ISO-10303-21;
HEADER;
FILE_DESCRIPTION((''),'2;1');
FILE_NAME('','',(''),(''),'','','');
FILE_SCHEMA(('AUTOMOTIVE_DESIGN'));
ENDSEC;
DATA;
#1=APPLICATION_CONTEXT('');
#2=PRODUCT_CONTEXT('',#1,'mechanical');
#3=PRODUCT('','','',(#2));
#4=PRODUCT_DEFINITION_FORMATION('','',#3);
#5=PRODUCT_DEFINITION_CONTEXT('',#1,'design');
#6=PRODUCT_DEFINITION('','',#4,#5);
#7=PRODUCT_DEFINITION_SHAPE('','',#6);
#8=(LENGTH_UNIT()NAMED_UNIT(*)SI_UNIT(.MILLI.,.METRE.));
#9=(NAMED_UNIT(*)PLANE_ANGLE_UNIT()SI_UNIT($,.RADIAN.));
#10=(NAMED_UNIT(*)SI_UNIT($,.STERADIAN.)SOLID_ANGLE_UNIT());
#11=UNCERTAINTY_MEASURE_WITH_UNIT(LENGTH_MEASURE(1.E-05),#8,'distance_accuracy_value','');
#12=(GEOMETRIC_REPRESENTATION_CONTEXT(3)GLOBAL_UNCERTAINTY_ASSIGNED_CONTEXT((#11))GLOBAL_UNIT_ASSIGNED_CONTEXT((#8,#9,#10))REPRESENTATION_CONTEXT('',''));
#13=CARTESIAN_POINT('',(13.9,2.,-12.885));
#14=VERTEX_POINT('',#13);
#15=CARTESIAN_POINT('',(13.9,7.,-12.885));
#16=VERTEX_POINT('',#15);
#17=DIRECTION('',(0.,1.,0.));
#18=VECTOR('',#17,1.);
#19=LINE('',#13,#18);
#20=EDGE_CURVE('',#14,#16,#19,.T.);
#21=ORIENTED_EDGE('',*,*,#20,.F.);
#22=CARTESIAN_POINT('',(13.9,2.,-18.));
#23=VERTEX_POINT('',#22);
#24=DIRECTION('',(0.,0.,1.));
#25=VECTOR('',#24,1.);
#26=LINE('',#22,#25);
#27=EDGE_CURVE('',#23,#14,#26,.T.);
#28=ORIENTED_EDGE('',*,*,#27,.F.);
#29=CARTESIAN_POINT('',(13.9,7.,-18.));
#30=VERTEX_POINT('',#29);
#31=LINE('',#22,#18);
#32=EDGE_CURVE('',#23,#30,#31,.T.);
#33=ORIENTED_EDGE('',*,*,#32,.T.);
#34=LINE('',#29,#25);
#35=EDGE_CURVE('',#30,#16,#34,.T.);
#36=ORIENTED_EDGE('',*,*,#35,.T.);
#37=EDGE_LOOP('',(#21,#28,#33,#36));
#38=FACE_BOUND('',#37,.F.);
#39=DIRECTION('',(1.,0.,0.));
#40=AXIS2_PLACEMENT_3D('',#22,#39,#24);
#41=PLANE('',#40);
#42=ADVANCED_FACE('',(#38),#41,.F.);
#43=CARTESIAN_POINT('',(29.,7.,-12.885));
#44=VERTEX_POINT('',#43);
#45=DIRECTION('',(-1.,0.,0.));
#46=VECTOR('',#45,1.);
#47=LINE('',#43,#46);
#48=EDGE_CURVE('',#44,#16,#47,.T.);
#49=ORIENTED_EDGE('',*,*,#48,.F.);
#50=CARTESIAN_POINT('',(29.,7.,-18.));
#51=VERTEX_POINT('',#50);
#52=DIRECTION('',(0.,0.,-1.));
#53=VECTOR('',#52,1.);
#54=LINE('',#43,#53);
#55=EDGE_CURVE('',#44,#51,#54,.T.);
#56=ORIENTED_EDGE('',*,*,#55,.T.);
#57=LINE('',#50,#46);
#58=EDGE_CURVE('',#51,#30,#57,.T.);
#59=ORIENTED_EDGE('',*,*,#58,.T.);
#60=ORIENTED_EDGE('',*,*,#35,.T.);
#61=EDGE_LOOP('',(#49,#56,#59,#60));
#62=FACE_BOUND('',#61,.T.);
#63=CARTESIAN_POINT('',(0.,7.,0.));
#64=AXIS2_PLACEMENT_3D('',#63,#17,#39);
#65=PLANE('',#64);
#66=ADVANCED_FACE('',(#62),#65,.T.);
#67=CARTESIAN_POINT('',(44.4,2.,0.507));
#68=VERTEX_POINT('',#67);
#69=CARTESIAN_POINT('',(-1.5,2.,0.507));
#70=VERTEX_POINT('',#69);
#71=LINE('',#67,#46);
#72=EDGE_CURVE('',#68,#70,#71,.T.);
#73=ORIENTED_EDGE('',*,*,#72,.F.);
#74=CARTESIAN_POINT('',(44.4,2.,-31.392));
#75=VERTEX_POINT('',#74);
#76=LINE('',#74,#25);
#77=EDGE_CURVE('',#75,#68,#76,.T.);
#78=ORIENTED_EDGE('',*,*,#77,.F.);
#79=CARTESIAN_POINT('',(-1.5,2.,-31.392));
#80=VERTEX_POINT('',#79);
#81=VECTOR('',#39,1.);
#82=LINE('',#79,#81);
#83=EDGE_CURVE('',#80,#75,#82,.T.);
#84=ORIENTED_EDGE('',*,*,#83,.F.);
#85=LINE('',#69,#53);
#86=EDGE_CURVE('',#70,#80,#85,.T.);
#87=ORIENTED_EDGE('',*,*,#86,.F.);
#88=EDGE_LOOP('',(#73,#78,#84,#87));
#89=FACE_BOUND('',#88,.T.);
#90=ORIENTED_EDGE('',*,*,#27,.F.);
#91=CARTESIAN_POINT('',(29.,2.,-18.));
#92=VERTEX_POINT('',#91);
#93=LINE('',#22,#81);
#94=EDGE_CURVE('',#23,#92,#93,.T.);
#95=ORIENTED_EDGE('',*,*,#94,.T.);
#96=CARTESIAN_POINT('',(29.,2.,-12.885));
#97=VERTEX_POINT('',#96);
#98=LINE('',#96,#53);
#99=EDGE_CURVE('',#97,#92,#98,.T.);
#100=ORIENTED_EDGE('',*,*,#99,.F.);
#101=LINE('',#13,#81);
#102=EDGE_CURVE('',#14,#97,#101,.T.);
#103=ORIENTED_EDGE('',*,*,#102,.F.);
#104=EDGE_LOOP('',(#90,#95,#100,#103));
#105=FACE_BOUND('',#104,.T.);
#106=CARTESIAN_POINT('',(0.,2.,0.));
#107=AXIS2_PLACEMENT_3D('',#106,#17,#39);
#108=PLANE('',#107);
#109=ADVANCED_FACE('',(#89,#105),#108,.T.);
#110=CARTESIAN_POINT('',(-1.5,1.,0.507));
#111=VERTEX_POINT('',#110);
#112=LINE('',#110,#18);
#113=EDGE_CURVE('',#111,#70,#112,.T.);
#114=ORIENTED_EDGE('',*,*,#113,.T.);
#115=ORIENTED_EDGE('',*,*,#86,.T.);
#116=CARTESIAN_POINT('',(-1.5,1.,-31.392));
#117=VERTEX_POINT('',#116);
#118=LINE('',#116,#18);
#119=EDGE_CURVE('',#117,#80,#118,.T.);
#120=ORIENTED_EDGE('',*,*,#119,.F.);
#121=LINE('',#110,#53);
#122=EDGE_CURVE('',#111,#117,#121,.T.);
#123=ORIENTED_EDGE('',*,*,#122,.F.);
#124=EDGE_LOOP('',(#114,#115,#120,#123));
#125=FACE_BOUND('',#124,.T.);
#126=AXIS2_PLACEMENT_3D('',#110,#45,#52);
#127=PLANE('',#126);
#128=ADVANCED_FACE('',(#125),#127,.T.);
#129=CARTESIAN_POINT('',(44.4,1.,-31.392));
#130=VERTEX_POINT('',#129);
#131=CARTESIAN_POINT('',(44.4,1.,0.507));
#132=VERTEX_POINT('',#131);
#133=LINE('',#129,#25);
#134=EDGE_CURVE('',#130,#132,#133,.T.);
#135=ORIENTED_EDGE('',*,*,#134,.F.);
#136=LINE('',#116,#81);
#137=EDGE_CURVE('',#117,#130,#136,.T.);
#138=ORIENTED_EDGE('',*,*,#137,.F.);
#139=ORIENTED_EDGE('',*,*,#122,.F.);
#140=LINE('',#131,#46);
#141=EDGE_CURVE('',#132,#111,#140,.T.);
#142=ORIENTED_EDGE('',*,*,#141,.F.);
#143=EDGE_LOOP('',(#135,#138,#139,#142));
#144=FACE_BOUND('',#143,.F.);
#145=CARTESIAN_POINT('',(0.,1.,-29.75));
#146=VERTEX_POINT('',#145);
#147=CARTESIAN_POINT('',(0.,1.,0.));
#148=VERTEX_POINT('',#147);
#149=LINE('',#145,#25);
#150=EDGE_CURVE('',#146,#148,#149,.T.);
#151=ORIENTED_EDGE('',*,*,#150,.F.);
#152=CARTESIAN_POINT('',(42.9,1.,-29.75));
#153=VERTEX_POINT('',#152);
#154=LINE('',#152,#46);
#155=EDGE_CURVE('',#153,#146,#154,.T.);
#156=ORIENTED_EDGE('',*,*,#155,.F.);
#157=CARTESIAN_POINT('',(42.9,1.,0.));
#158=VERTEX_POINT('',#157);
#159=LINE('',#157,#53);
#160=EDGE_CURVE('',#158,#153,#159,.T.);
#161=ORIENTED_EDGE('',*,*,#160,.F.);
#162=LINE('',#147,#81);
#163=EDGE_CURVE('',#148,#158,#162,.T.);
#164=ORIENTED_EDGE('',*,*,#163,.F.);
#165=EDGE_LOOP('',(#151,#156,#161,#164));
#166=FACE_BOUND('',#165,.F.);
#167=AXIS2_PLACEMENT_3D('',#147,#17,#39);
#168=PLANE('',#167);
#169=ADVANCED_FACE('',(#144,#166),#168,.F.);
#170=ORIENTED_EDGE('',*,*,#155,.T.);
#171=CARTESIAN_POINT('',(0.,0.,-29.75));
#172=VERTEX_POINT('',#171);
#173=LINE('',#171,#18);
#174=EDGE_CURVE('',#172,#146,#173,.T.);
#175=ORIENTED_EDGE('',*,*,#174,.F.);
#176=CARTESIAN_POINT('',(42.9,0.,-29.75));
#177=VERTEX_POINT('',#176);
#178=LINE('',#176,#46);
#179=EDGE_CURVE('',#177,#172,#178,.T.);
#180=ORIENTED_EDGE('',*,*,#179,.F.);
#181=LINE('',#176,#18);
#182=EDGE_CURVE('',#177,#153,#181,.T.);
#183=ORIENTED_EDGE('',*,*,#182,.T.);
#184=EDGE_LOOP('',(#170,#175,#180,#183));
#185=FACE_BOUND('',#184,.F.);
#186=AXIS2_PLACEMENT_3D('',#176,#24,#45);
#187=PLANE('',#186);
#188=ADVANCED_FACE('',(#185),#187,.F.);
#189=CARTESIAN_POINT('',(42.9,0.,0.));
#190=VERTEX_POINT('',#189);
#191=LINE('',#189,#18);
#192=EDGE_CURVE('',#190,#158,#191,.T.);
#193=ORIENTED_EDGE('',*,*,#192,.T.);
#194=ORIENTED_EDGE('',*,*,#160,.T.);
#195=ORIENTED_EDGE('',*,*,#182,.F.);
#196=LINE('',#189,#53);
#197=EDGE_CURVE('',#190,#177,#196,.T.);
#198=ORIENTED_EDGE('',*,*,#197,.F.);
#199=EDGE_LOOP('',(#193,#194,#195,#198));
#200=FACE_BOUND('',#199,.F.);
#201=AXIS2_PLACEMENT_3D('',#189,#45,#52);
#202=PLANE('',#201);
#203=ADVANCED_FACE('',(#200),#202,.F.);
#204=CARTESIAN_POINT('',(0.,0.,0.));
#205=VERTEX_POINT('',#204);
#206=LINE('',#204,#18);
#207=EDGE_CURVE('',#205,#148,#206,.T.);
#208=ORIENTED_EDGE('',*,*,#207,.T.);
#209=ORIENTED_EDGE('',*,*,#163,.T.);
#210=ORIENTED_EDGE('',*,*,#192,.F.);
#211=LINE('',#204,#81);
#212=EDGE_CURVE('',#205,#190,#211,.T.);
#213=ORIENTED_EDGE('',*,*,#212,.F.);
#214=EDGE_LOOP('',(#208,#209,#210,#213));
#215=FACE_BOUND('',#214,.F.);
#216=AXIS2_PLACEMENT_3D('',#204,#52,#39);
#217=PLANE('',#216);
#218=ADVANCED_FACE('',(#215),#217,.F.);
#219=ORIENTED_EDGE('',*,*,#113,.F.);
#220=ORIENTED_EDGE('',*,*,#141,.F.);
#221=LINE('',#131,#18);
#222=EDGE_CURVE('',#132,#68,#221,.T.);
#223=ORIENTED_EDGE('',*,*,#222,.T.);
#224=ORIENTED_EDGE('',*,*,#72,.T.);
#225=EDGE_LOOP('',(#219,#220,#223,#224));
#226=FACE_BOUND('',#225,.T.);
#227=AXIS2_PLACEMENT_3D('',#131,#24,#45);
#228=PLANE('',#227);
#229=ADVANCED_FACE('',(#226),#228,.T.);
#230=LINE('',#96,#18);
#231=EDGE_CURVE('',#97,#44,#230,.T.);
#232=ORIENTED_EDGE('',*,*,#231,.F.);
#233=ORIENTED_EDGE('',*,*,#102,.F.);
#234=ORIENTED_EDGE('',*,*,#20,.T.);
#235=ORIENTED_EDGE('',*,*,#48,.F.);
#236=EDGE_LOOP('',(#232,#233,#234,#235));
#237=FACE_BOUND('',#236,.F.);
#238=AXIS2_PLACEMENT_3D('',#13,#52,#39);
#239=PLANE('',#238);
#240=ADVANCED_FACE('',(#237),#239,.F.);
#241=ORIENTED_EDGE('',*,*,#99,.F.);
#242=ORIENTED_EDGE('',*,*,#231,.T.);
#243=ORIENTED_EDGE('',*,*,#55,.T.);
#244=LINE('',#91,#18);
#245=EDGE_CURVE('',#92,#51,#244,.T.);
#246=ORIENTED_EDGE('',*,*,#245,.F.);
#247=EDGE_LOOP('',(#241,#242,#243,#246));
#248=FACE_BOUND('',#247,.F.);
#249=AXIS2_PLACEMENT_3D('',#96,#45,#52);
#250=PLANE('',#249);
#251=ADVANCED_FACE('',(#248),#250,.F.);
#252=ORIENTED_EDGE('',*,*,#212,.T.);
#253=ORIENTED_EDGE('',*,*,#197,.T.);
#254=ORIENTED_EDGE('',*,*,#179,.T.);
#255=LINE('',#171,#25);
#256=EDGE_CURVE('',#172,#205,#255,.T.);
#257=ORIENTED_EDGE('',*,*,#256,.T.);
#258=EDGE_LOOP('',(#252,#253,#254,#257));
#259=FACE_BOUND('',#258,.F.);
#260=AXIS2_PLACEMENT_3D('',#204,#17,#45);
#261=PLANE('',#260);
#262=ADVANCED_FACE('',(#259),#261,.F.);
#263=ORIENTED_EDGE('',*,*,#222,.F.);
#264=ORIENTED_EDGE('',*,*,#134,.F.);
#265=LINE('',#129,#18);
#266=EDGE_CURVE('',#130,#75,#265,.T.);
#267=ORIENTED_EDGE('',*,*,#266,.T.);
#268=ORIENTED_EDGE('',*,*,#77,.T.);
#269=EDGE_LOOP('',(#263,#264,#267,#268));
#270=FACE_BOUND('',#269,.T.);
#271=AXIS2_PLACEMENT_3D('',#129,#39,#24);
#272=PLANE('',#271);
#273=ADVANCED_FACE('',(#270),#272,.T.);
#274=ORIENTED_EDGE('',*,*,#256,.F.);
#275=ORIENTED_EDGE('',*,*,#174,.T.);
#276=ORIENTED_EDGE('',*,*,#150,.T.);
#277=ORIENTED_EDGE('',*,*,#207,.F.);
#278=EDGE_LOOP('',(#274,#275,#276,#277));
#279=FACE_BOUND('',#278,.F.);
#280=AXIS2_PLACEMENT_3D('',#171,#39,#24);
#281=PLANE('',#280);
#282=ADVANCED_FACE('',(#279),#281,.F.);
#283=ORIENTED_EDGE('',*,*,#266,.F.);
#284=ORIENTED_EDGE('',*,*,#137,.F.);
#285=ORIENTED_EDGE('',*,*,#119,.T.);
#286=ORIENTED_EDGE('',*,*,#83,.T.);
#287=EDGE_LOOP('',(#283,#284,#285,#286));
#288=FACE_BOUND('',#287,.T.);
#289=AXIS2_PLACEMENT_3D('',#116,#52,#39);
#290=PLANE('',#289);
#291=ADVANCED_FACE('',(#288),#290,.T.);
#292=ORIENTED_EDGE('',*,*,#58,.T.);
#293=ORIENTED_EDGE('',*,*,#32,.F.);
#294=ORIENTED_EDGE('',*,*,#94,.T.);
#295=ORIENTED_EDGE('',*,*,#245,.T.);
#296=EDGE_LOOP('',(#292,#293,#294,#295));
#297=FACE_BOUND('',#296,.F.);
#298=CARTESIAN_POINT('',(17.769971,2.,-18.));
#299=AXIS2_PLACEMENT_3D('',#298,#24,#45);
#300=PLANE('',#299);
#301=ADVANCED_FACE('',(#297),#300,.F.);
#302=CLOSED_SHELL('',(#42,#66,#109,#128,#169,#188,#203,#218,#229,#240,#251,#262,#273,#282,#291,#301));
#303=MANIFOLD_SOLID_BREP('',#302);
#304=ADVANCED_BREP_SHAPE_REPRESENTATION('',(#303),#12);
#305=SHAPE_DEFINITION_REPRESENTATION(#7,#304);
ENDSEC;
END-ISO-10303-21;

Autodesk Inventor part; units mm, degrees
ref_plane "YZ Plane" through (0, 0, 0) normal (1, 0, 0) x (0, 1, 0)
ref_plane "XZ Plane" through (0, 0, 0) normal (0, 1, 0) x (-1, 0, 0)
ref_plane "XY Plane" through (0, 0, 0) normal (0, 0, 1) x (1, 0, 0)
sketch "Sketch1" plane through (0, 0, 0) normal (0, 1, 0) x (-1, 0, 0)
  line L0 (0, 0) -> (-42.9, 0)
  line L1 (-42.9, 0) -> (-42.9, -29.75)
  line L2 (-42.9, -29.75) -> (0, -29.75)
  line L3 (0, -29.75) -> (0, 0)
  dimension "d0" = 42.9
  dimension "d1" = 29.75
extrude "Extrusion1" add sketch "Sketch1" along normal blind 1
sketch "Sketch2" plane through (0, 1, 0) normal (0, 1, 0) x (1, 0, 0)
  line L0 (42.9, 0) -> (42.9, 29.75) projected
  line L1 (42.9, 29.75) -> (0, 29.75) projected
  line L2 (-1.5, 31.392) -> (44.4, 31.392)
  line L3 (44.4, 31.392) -> (44.4, -0.507)
  line L4 (44.4, -0.507) -> (-1.5, -0.507)
  line L5 (-1.5, -0.507) -> (-1.5, 31.392)
  point P0 (0, 0)
extrude "Extrusion2" add sketch "Sketch2" along normal blind 1
sketch "Sketch3" plane through (0, 2, 0) normal (0, 1, 0) x (1, 0, 0)
  line L0 (-1.5, -0.507) -> (44.4, -0.507) projected
  line L1 (44.4, 31.392) -> (-1.5, 31.392) projected
  line L2 (-1.5, -0.507) -> (44.4, 31.392)
  line L3 (44.4, -0.507) -> (44.4, 31.392) projected
  line L4 (44.4, -0.507) -> (-1.5, 31.392)
  line L5 (13.9, 12.885) -> (29, 12.885)
  line L6 (29, 12.885) -> (29, 18)
  line L7 (29, 18) -> (13.9, 18)
  line L8 (13.9, 18) -> (13.9, 12.885)
  line L9 (13.9, 12.885) -> (29, 18) construction
  line L10 (29, 12.885) -> (13.9, 18) construction
  point P0 (0, 0)
  point P1 (21.45, 15.4425)
extrude "Extrusion3" add sketch "Sketch3" along normal blind 5 contours L5 L8 L7 L4 L2 | L2 L4 L5 | L4 L2 L7 L6 L5 | L4 L7 L2
properties part number "Lid"
